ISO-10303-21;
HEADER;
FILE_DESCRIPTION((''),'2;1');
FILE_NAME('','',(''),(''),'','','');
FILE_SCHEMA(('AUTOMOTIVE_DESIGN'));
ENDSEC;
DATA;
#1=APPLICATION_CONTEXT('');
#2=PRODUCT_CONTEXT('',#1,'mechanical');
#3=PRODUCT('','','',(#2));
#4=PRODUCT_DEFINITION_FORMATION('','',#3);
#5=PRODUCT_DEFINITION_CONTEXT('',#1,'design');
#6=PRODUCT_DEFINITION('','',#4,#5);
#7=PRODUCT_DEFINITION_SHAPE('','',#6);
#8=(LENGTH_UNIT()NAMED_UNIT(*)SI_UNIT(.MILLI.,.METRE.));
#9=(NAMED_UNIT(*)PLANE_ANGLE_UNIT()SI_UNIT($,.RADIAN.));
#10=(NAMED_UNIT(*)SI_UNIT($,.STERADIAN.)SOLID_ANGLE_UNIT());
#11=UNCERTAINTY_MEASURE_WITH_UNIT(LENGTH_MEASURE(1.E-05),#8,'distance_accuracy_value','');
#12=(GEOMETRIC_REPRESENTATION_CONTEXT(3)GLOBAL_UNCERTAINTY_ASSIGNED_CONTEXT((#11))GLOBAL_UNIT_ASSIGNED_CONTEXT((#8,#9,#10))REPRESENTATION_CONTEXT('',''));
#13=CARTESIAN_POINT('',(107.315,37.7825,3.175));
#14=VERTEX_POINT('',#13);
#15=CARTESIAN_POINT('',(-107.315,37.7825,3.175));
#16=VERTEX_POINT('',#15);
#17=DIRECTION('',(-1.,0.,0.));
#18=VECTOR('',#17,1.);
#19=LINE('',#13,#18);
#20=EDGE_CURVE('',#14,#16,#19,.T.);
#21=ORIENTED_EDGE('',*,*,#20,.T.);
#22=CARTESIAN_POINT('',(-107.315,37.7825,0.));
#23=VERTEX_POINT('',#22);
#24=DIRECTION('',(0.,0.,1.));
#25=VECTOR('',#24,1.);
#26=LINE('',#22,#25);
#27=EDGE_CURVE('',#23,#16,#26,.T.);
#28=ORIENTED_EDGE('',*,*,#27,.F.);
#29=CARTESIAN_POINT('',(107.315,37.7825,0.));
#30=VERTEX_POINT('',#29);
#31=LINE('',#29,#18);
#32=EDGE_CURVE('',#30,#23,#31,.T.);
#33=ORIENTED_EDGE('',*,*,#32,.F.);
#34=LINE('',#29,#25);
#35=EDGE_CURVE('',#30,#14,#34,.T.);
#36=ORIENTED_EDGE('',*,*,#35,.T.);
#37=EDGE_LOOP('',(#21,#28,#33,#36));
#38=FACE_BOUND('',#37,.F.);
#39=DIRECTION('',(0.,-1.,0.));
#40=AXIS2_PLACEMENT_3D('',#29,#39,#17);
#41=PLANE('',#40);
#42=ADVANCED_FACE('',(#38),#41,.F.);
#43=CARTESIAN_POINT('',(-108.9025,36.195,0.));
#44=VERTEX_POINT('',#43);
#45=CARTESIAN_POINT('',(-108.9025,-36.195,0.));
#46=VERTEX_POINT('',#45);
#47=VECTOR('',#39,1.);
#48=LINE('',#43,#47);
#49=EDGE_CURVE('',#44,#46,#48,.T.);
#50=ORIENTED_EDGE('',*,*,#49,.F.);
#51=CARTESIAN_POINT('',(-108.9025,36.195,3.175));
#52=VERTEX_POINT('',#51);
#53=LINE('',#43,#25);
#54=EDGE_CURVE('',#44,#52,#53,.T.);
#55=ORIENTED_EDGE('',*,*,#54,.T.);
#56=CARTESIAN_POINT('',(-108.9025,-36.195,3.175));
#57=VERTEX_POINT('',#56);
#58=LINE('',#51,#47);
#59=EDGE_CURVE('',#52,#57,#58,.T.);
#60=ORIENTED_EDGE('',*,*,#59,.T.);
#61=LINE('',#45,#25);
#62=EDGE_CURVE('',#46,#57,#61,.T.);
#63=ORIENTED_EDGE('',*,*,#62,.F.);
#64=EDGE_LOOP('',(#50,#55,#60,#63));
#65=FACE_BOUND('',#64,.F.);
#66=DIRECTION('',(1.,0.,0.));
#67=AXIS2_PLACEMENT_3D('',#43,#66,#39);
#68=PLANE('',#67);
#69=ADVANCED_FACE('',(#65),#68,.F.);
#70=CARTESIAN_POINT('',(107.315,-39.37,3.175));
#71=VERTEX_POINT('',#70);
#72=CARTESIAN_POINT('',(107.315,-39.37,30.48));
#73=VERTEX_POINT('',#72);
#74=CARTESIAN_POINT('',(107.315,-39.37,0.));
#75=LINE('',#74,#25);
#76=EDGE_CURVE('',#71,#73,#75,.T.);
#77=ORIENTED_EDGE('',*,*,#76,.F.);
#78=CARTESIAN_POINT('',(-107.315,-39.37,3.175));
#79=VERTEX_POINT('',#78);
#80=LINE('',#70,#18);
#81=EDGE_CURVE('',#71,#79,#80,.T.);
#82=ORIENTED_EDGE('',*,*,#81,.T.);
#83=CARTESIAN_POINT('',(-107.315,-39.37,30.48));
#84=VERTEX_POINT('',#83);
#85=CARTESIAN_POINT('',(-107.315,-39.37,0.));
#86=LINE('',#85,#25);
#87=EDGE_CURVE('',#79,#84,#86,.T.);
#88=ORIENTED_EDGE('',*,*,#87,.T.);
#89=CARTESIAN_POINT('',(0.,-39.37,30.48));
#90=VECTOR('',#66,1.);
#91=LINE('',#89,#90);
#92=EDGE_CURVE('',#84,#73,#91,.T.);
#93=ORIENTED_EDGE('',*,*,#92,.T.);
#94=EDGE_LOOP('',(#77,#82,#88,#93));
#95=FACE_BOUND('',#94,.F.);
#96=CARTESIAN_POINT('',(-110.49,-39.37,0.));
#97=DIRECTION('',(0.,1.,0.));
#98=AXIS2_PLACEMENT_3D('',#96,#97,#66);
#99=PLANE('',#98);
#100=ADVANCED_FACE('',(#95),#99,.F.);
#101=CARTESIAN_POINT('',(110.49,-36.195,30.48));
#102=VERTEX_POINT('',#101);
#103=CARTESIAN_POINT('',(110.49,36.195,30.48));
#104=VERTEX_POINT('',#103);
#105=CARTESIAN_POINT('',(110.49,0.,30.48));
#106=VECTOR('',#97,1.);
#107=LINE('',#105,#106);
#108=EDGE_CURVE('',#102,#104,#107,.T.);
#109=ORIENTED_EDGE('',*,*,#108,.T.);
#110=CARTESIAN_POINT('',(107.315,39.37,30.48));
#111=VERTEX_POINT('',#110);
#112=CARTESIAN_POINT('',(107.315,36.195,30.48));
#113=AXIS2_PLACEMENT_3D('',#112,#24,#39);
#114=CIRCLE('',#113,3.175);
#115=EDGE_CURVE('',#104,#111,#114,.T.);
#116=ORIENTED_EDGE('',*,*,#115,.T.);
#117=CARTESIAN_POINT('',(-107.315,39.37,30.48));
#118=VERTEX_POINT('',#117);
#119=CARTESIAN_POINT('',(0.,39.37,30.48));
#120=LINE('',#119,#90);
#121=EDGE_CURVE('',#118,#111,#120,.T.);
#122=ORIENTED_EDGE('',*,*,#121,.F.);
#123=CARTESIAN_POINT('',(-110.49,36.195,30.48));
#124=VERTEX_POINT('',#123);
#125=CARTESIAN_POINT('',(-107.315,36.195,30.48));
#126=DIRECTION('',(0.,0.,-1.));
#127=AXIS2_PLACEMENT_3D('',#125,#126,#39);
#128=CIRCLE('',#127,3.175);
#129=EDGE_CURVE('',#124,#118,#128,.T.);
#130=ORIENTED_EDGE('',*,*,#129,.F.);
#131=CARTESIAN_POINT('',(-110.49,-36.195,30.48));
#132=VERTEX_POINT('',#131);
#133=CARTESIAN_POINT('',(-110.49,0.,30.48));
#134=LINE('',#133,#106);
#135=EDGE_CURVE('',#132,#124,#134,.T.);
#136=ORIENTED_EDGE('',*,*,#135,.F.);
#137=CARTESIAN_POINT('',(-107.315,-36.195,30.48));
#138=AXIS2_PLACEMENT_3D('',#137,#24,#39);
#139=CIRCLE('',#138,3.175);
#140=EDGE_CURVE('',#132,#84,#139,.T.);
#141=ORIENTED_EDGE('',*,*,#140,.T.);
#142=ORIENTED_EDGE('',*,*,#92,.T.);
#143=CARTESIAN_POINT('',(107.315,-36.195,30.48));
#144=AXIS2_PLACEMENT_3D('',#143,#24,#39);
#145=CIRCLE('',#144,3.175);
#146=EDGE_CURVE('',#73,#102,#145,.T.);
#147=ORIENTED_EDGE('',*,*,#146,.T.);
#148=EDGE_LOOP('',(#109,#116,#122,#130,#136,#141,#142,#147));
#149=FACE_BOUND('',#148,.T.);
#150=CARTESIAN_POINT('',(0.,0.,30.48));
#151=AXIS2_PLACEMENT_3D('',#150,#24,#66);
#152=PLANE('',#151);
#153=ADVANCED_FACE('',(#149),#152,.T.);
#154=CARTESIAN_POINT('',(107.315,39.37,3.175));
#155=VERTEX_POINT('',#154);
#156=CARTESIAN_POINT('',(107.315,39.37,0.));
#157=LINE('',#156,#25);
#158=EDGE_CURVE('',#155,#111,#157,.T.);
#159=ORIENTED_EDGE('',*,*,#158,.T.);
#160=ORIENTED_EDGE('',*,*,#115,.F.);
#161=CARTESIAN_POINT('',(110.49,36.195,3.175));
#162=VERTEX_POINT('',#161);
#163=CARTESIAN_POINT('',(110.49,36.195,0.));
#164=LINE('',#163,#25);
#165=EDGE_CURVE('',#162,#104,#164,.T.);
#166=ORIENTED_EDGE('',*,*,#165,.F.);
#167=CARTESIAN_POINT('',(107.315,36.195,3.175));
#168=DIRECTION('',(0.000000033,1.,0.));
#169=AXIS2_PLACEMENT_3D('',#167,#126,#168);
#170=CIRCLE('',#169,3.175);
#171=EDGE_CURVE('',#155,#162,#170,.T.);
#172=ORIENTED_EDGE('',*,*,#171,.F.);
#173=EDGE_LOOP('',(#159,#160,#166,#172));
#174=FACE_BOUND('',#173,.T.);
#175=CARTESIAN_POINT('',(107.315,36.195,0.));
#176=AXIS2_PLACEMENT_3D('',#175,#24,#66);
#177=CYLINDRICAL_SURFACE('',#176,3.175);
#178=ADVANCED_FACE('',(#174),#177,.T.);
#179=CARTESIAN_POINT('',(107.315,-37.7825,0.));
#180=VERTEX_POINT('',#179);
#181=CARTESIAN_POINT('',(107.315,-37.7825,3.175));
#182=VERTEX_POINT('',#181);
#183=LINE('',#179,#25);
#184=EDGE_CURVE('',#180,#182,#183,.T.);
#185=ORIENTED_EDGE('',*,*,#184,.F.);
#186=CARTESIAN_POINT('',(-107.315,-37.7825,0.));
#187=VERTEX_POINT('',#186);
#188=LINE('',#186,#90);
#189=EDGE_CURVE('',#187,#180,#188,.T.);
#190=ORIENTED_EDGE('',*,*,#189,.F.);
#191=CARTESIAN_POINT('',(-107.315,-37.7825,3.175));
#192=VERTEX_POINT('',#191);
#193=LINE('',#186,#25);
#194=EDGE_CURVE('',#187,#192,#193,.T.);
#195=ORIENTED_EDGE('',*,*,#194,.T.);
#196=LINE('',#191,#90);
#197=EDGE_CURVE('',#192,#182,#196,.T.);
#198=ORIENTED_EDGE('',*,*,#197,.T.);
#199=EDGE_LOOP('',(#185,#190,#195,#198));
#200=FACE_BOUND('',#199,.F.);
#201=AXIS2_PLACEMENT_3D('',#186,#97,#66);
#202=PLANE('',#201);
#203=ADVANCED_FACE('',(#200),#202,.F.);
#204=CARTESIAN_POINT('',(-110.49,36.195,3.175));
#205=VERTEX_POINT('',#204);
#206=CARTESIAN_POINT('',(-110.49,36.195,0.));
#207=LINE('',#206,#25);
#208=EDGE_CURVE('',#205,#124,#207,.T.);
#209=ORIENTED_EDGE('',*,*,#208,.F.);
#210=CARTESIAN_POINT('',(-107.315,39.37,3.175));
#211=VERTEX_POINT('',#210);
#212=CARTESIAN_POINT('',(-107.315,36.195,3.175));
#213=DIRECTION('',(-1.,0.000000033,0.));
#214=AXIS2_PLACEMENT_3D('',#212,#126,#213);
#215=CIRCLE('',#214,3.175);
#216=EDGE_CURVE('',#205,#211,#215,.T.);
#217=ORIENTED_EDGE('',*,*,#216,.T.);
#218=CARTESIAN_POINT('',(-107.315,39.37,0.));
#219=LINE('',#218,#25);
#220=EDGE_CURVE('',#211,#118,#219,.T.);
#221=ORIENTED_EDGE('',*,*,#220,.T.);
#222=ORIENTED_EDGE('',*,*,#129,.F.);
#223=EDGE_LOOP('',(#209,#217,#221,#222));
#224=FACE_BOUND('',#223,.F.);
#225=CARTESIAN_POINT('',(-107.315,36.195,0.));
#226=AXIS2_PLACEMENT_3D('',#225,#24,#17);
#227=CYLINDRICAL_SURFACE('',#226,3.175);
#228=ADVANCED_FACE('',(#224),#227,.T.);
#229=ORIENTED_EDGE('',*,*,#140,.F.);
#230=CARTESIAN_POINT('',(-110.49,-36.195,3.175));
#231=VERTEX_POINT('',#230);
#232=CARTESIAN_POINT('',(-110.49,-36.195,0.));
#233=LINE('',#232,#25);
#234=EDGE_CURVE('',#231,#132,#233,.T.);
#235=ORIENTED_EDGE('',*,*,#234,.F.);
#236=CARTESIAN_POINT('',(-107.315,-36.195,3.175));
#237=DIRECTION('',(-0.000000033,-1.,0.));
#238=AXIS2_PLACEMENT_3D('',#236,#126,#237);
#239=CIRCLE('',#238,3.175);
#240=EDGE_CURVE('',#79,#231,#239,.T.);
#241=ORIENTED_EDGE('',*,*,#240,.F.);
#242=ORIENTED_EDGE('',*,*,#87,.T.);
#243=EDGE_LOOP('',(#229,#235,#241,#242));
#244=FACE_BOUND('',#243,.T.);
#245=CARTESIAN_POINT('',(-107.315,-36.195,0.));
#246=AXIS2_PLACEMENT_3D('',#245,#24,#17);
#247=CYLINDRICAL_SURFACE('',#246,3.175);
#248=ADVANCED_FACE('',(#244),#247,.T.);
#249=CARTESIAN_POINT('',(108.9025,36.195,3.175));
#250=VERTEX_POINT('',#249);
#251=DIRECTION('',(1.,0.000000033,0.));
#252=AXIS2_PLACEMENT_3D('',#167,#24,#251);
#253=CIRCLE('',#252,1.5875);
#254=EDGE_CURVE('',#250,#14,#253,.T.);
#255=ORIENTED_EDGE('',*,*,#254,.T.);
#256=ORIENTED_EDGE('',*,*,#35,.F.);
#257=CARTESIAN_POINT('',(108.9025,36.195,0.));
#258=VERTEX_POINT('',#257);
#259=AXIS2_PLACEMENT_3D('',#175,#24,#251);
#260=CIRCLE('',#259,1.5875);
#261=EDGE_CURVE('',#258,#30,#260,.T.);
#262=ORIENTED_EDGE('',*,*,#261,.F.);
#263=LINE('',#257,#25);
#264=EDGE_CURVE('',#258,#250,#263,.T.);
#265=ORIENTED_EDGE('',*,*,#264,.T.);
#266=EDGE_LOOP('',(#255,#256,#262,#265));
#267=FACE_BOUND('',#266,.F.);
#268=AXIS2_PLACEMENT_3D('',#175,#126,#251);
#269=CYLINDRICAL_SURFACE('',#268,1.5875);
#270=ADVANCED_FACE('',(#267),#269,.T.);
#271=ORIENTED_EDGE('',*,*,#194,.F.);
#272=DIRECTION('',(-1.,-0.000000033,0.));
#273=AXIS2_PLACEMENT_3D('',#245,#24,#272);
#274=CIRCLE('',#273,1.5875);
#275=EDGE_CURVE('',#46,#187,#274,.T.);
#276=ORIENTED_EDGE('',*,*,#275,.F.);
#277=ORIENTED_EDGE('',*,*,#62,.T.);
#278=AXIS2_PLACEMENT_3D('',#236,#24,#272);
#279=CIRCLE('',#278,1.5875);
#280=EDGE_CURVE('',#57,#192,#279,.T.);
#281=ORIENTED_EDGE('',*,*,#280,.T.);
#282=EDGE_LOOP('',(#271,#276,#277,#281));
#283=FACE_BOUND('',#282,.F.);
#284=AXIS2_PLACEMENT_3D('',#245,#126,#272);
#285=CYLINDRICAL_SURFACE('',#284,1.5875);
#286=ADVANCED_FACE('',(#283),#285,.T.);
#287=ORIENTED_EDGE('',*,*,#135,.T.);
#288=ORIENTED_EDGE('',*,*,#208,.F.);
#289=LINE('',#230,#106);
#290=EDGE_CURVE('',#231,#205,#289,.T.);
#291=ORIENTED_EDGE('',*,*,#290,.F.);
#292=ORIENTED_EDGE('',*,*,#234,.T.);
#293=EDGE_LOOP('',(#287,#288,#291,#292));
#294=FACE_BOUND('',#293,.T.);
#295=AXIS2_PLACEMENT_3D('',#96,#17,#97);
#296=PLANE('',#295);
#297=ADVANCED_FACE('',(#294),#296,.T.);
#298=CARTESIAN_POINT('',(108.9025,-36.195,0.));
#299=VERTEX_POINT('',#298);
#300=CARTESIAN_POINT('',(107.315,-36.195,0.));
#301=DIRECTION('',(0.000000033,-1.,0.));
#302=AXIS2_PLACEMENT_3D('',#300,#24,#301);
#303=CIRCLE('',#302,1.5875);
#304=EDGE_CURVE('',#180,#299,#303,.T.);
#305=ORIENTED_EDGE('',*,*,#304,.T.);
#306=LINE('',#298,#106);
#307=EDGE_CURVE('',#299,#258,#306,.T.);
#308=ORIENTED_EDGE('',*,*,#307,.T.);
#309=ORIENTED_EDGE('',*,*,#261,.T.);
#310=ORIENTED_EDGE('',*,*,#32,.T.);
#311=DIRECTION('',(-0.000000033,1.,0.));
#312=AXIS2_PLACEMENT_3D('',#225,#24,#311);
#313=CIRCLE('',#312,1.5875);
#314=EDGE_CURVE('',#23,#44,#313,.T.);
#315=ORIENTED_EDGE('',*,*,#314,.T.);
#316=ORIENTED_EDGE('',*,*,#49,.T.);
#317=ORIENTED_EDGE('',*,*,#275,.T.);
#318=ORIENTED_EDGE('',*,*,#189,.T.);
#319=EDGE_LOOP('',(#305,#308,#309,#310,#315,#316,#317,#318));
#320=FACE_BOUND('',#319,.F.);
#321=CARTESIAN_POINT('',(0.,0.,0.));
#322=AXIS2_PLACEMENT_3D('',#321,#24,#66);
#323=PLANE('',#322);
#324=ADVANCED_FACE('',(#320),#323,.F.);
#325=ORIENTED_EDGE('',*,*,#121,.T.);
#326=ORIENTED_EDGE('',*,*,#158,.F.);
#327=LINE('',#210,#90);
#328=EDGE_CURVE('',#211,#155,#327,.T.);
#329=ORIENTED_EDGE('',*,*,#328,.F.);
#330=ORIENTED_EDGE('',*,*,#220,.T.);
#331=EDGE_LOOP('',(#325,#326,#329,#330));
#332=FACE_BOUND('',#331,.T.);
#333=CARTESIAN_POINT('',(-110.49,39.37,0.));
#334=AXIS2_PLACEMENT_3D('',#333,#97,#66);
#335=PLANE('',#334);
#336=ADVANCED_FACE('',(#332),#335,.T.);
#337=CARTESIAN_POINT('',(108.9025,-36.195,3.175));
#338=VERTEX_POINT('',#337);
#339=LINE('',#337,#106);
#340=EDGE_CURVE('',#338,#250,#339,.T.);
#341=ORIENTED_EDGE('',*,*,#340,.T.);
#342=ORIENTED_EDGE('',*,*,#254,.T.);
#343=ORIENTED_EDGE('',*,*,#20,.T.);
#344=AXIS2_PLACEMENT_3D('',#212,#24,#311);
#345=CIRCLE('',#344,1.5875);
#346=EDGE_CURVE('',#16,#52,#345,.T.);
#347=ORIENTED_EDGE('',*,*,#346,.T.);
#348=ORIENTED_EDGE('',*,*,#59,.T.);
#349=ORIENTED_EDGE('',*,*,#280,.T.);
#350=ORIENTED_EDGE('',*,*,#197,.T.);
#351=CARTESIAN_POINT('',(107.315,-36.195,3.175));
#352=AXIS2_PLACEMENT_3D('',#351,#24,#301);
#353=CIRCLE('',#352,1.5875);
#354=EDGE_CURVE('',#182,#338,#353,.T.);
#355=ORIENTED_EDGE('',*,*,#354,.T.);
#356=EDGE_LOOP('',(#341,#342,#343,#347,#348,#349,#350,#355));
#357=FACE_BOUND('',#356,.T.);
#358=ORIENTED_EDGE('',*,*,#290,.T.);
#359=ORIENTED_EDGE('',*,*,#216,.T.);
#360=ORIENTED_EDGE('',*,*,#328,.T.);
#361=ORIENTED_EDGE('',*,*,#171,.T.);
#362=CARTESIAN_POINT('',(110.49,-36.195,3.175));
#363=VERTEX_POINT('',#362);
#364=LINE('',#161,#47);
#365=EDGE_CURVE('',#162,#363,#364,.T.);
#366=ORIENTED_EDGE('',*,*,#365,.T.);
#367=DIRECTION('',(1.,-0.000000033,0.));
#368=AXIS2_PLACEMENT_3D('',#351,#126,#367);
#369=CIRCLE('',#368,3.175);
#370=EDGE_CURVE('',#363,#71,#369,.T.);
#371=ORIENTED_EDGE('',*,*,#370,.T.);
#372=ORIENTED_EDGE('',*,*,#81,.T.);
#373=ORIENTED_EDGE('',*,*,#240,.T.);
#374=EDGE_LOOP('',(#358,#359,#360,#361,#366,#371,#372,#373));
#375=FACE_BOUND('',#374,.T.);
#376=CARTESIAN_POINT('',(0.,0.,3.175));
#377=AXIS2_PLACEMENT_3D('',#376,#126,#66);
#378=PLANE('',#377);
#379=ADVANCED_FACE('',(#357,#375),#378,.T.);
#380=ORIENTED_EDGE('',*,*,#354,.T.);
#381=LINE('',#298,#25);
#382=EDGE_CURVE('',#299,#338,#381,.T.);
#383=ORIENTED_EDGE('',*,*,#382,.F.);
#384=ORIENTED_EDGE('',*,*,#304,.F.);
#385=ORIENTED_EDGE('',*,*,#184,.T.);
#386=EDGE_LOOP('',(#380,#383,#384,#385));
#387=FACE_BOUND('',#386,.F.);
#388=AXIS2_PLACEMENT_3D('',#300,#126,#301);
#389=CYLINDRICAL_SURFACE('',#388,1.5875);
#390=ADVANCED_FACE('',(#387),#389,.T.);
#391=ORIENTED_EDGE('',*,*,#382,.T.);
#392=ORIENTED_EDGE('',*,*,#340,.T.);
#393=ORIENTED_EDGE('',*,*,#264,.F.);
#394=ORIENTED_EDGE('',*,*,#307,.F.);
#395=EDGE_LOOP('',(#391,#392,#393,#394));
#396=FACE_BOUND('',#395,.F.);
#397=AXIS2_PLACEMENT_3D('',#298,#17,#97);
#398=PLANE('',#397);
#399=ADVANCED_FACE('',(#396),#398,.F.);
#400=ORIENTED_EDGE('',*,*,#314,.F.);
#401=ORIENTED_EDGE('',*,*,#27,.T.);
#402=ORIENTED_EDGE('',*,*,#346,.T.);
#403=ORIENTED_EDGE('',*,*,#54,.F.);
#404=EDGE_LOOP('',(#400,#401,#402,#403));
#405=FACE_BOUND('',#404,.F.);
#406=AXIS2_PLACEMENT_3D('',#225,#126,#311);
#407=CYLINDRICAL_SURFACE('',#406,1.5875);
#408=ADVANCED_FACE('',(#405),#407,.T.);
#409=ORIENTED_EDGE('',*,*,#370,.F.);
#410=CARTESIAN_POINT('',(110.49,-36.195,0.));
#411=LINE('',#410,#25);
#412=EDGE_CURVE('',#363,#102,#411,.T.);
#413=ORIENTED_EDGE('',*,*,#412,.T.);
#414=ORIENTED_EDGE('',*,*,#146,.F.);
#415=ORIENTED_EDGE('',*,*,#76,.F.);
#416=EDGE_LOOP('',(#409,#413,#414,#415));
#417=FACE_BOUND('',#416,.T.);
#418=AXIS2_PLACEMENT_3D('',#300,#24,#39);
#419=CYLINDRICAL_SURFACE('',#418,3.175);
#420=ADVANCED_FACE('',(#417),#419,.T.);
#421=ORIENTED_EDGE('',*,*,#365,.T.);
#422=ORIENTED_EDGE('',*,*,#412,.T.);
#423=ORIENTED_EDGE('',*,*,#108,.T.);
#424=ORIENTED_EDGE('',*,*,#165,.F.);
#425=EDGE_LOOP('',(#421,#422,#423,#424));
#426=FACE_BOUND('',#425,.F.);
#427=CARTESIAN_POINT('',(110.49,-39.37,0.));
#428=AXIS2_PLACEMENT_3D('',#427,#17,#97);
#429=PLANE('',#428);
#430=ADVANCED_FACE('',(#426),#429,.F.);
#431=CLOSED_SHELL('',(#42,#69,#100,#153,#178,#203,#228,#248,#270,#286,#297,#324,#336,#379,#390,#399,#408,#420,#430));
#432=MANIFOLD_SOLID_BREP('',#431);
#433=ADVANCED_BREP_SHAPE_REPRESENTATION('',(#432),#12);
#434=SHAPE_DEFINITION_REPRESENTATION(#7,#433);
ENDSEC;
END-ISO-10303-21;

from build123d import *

# Parameters (mm, degrees)
F0_W     = 220.98
F0_H     = 78.74
F1_DEPTH = 30.48
F2_R     = 3.175
F4_DEPTH = 3.175


with BuildPart() as f1:
    # F0 (on Top) → F1 (new body)
    with BuildSketch(Plane.XY):
        Rectangle(F0_W, F0_H)
    extrude(amount=F1_DEPTH)

    # F2
    f2_edges = [f1.edges().sort_by_distance(p)[0] for p in [
        (-110.49, -39.37, 15.24),
        (110.49, 39.37, 15.24),
        (110.49, -39.37, 15.24),
        (-110.49, 39.37, 15.24),
    ]]
    fillet(f2_edges, radius=F2_R)

    # F3 (on face) → F4 (cut)
    with BuildSketch(Plane(origin=(0, 0, 0), x_dir=(1, 0, 0), z_dir=(0, 0, -1))):
        with BuildLine():
            ThreePointArc((110.49, 36.195), (109.560064, 38.440064), (107.315, 39.37))
            Line((107.315, 39.37), (-107.315, 39.37))
            ThreePointArc((-107.315, 39.37), (-109.560064, 38.440064), (-110.49, 36.195))
            Line((-110.49, 36.195), (-110.49, -36.195))
            ThreePointArc((-110.49, -36.195), (-109.560064, -38.440064), (-107.315, -39.37))
            Line((-107.315, -39.37), (107.315, -39.37))
            ThreePointArc((107.315, -39.37), (109.560064, -38.440064), (110.49, -36.195))
            Line((110.49, -36.195), (110.49, 36.195))
        make_face()
        with BuildLine():
            ThreePointArc((107.315, 37.7825), (108.437532, 37.317532), (108.9025, 36.195))
            Line((108.9025, 36.195), (108.9025, -36.195))
            ThreePointArc((108.9025, -36.195), (108.437532, -37.317532), (107.315, -37.7825))
            Line((107.315, -37.7825), (-107.315, -37.7825))
            ThreePointArc((-107.315, -37.7825), (-108.437532, -37.317532), (-108.9025, -36.195))
            Line((-108.9025, -36.195), (-108.9025, 36.195))
            ThreePointArc((-108.9025, 36.195), (-108.437532, 37.317532), (-107.315, 37.7825))
            Line((-107.315, 37.7825), (107.315, 37.7825))
        make_face(mode=Mode.SUBTRACT)
    extrude(amount=-F4_DEPTH, mode=Mode.SUBTRACT)


solid = f1.part
